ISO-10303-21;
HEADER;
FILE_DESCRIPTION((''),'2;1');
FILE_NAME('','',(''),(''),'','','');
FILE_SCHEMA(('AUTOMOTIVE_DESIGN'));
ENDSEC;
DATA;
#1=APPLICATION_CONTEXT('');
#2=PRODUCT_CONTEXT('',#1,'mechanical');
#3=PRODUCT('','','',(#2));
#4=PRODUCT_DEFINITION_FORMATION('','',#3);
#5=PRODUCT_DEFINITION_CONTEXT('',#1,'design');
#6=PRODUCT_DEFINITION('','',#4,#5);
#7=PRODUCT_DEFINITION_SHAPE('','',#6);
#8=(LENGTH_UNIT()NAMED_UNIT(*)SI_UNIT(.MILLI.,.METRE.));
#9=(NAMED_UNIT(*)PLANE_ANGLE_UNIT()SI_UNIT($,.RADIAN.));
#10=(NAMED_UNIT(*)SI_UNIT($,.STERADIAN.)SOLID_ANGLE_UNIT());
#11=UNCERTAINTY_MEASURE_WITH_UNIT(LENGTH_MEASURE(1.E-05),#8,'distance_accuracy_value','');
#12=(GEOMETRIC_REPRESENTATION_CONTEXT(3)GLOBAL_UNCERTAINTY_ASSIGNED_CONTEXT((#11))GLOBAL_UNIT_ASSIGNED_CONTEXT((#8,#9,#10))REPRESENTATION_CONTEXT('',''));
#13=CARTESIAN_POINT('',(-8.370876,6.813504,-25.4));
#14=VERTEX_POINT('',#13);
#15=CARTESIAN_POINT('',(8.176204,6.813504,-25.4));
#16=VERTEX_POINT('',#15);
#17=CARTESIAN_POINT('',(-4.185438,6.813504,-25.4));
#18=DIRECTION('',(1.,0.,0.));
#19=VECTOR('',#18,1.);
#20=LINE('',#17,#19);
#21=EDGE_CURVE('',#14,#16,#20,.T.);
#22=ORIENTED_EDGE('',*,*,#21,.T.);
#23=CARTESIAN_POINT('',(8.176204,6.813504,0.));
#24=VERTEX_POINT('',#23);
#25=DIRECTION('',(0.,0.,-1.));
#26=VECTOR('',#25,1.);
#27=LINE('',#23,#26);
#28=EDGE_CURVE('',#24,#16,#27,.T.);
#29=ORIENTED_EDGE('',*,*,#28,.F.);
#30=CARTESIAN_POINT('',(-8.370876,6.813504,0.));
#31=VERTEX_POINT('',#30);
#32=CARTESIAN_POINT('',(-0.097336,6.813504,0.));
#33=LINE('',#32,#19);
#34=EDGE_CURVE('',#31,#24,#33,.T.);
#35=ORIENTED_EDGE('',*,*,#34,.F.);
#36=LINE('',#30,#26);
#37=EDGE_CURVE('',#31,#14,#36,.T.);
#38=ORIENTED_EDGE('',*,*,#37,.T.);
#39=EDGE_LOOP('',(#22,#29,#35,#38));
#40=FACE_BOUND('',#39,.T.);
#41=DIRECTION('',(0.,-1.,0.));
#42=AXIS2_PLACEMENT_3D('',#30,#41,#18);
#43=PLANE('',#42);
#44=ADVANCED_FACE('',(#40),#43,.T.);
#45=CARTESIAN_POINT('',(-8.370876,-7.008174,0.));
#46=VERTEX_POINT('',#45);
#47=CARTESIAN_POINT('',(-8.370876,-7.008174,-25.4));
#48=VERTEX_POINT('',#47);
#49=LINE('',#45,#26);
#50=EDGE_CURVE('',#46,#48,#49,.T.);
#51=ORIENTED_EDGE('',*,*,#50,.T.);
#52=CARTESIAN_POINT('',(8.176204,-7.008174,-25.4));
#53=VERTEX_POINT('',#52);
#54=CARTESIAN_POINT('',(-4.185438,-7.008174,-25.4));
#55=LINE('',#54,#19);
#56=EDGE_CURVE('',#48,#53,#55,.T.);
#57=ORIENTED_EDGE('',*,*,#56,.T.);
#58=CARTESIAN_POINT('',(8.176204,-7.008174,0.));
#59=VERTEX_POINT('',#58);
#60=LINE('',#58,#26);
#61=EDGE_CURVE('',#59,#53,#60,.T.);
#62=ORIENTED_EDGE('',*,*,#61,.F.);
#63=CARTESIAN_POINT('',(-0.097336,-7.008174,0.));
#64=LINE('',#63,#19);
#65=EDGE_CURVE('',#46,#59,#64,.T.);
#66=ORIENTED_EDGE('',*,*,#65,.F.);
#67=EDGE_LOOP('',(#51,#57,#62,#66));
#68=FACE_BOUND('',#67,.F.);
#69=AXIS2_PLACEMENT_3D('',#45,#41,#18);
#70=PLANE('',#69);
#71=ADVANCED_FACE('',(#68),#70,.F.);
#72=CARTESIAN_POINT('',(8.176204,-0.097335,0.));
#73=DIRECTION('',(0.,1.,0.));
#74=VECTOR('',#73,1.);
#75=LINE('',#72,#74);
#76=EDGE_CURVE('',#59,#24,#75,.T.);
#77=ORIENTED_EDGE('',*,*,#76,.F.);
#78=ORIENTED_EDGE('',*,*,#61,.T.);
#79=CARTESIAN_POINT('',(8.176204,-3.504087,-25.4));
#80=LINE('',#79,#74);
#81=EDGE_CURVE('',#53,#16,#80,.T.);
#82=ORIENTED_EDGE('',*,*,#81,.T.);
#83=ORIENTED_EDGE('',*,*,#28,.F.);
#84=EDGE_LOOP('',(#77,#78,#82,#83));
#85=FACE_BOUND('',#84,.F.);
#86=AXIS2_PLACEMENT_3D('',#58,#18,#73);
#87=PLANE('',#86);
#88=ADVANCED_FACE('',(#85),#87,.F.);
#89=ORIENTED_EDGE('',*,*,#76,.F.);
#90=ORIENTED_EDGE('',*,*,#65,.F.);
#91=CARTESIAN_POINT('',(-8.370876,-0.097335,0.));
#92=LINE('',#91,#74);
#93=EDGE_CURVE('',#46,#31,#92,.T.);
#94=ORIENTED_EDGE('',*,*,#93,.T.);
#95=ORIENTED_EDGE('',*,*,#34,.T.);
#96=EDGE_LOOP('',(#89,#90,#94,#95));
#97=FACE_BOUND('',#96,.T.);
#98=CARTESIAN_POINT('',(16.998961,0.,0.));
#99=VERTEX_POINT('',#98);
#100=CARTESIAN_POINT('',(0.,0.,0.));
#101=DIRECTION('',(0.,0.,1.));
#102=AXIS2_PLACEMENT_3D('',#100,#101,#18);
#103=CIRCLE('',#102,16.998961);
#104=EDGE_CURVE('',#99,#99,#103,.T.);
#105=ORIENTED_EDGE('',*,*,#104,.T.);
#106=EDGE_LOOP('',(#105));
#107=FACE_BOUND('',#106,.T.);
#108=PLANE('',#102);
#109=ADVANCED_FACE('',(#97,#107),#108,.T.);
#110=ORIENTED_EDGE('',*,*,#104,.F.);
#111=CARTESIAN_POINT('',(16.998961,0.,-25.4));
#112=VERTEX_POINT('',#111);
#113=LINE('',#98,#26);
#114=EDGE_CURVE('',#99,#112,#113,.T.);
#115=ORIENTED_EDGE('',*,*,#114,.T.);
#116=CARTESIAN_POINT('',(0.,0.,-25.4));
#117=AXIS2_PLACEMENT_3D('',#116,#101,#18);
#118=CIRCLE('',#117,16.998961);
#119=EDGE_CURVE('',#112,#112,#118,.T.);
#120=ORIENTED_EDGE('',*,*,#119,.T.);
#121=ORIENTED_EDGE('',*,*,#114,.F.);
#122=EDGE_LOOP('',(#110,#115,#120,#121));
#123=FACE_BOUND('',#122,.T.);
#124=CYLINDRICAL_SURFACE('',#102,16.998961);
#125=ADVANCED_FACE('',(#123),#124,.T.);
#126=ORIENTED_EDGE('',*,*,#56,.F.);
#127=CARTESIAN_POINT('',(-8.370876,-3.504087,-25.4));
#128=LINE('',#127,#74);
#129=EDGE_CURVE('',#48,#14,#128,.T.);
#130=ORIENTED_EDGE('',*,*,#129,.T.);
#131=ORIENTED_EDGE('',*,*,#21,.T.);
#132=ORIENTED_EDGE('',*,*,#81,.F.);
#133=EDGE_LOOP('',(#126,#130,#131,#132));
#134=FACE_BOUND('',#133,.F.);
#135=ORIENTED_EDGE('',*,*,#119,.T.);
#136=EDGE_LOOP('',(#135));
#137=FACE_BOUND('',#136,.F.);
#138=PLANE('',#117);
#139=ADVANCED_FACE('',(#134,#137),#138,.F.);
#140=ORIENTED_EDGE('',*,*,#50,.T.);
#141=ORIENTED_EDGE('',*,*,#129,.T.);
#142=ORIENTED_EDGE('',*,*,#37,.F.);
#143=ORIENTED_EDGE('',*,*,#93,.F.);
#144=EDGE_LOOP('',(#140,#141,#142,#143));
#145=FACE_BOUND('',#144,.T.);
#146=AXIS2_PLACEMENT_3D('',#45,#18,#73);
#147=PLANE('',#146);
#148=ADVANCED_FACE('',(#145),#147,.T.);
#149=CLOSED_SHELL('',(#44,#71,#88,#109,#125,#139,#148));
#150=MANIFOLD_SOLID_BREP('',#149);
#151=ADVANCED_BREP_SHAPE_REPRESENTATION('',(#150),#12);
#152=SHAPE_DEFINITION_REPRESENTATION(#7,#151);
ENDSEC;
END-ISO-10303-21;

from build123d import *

# Parameters (mm, degrees)
F0_R     = 16.998961
F1_DEPTH = 25.4
F2_W     = 16.54708
F2_H     = 13.821679
F3_DEPTH = 25.401


with BuildPart() as f1:
    # F0 (on Top) → F1 (new body)
    with BuildSketch(Plane.XY):
        Circle(F0_R)
    extrude(amount=-F1_DEPTH)

    # F2 (on face) → F3 (cut, through all)
    with BuildSketch(Plane.XY):
        with Locations((-0.097336, -0.097335)):
            Rectangle(F2_W, F2_H)
    extrude(amount=-F3_DEPTH, mode=Mode.SUBTRACT)


solid = f1.part
